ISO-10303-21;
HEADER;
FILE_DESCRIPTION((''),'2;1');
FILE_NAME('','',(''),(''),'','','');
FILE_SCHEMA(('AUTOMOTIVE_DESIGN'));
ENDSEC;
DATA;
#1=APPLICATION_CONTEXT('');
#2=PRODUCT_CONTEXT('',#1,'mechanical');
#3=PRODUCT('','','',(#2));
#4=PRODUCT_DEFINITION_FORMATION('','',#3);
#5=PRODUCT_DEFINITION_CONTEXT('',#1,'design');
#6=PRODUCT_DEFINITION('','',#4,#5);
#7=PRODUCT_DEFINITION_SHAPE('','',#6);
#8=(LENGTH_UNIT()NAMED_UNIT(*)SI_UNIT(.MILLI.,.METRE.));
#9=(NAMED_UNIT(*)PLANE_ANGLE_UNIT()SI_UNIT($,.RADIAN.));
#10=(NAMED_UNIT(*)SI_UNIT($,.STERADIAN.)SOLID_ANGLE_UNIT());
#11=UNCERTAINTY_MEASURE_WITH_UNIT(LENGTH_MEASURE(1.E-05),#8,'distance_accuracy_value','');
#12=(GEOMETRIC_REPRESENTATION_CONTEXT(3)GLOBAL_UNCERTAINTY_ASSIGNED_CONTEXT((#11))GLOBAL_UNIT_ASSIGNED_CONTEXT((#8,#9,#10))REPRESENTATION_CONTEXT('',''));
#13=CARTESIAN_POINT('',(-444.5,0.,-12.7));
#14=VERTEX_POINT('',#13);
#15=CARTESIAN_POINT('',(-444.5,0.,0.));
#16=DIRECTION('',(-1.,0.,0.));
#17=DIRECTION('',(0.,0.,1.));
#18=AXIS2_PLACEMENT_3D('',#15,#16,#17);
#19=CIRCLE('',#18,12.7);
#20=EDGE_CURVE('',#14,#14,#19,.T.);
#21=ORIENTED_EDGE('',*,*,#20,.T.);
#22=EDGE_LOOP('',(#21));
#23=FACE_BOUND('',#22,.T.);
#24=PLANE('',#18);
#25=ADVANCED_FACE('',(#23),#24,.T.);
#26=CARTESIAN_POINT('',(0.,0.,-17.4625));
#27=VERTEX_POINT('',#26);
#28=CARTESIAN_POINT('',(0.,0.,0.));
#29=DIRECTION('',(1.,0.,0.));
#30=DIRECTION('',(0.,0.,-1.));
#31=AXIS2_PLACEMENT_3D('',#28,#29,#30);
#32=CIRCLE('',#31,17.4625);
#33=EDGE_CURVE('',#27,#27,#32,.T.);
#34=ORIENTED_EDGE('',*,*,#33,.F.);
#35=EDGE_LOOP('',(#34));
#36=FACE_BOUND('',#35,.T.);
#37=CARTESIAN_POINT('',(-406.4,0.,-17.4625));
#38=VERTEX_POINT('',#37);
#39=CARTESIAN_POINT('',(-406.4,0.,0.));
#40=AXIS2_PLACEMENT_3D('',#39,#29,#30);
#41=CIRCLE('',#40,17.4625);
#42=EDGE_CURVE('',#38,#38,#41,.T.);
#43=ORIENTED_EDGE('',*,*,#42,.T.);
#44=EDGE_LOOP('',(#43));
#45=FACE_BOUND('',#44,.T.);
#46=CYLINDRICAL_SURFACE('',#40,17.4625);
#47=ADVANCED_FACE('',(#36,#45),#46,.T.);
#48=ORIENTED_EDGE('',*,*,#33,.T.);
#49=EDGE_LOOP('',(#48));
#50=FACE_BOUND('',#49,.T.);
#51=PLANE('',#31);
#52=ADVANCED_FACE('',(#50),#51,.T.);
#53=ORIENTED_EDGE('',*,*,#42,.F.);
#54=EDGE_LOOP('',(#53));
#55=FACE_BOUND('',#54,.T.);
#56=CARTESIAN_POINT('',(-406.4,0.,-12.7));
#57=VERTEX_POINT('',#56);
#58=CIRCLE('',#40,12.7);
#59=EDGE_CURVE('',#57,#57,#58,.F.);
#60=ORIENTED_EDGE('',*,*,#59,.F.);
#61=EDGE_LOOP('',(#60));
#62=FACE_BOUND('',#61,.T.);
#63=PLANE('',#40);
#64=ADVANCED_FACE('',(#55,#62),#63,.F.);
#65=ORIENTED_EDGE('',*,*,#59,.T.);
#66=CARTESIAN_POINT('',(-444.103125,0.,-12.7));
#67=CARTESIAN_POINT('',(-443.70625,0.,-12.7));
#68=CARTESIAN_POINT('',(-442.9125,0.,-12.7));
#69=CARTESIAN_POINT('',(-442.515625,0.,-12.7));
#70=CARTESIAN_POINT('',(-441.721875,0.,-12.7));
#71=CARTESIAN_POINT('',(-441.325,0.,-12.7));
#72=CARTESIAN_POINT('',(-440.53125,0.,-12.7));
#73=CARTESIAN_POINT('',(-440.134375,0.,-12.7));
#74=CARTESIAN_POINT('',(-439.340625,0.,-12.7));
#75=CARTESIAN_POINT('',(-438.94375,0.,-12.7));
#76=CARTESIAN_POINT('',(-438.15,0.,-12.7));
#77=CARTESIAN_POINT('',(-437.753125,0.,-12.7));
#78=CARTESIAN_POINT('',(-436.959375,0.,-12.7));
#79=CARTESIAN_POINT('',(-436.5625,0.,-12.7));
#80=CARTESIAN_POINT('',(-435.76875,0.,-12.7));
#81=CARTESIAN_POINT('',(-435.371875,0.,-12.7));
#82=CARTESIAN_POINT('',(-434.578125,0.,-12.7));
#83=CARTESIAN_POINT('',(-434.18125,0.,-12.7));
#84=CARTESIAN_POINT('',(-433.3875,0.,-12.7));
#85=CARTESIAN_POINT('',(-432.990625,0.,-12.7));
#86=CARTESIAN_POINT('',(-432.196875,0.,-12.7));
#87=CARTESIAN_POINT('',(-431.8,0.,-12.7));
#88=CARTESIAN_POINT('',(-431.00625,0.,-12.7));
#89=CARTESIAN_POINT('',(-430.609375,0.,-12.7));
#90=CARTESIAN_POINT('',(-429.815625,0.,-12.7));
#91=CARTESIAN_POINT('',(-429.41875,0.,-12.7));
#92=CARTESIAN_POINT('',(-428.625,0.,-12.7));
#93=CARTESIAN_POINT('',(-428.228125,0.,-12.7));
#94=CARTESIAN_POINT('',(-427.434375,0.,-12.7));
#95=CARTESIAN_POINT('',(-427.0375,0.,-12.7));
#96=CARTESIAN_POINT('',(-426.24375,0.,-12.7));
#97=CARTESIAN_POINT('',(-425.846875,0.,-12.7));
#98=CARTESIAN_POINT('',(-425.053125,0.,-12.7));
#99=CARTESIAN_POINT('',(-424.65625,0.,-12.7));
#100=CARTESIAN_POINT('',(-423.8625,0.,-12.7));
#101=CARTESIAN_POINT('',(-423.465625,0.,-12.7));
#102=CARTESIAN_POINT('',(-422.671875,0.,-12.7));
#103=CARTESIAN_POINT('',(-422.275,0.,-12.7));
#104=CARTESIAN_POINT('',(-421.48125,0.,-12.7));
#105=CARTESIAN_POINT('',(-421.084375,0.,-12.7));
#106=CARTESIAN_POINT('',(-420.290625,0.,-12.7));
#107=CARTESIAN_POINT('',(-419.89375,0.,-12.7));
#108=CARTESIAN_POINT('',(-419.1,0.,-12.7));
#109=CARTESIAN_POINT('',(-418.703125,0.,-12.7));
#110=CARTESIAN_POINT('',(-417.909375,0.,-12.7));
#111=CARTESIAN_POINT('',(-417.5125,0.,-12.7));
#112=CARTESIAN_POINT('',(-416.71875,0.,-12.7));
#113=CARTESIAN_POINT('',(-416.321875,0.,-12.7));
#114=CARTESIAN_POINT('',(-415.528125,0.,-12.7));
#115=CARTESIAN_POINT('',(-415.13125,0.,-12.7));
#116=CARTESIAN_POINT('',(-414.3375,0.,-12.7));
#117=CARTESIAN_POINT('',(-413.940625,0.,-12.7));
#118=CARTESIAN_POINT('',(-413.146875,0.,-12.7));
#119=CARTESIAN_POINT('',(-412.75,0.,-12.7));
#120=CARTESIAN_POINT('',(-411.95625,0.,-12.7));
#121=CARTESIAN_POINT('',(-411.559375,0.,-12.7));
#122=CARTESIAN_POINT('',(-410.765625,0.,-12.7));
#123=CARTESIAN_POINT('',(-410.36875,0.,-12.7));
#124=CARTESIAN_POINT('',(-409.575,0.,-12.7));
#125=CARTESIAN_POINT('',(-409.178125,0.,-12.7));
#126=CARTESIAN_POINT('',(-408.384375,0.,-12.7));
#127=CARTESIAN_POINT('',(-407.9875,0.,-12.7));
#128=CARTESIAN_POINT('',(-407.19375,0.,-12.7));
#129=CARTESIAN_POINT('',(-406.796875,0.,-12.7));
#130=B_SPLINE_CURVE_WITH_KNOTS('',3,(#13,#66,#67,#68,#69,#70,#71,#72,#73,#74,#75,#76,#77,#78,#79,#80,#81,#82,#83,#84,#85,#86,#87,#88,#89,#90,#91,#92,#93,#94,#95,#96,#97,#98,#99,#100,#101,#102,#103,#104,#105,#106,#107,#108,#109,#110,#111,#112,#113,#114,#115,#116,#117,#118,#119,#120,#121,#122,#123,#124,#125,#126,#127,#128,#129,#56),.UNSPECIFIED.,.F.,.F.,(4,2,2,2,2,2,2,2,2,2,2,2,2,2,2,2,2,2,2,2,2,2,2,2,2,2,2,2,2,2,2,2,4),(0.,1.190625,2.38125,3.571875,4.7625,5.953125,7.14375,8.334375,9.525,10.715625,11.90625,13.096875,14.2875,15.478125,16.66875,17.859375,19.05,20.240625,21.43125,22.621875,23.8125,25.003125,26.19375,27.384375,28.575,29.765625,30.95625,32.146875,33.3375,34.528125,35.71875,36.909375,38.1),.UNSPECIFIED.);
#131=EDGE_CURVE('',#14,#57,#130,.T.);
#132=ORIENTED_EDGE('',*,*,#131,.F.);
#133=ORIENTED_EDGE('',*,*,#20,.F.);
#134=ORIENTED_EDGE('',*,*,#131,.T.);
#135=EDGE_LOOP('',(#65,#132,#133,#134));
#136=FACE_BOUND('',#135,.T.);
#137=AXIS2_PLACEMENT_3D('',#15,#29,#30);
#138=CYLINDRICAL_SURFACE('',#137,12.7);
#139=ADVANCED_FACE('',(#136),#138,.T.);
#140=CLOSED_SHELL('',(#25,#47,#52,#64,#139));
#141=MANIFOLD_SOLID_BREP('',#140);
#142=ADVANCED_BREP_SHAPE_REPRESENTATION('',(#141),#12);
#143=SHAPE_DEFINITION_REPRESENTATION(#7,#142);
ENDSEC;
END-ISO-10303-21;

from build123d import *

# Parameters (mm, degrees)
SKETCH1_R           = 17.4625
BASE_EXTRUDE_DEPTH  = 406.4
SKETCH2_R           = 12.7
BOSS_EXTRUDE1_DEPTH = 38.1


with BuildPart() as part:
    # Sketch1 → Base-Extrude (new body)
    with BuildSketch(Plane(origin=(0, 0, 0), x_dir=(0, 0, -1), z_dir=(1, 0, 0))):
        Circle(SKETCH1_R)
    extrude(amount=-BASE_EXTRUDE_DEPTH)

    # Sketch2 → Boss-Extrude1 (add)
    with BuildSketch(Plane.ZY.offset(406.4)):
        with Locations(Location((0, 0, 0), (0, 0, 180))):
            Circle(SKETCH2_R)
    extrude(amount=BOSS_EXTRUDE1_DEPTH)


solid = part.part
